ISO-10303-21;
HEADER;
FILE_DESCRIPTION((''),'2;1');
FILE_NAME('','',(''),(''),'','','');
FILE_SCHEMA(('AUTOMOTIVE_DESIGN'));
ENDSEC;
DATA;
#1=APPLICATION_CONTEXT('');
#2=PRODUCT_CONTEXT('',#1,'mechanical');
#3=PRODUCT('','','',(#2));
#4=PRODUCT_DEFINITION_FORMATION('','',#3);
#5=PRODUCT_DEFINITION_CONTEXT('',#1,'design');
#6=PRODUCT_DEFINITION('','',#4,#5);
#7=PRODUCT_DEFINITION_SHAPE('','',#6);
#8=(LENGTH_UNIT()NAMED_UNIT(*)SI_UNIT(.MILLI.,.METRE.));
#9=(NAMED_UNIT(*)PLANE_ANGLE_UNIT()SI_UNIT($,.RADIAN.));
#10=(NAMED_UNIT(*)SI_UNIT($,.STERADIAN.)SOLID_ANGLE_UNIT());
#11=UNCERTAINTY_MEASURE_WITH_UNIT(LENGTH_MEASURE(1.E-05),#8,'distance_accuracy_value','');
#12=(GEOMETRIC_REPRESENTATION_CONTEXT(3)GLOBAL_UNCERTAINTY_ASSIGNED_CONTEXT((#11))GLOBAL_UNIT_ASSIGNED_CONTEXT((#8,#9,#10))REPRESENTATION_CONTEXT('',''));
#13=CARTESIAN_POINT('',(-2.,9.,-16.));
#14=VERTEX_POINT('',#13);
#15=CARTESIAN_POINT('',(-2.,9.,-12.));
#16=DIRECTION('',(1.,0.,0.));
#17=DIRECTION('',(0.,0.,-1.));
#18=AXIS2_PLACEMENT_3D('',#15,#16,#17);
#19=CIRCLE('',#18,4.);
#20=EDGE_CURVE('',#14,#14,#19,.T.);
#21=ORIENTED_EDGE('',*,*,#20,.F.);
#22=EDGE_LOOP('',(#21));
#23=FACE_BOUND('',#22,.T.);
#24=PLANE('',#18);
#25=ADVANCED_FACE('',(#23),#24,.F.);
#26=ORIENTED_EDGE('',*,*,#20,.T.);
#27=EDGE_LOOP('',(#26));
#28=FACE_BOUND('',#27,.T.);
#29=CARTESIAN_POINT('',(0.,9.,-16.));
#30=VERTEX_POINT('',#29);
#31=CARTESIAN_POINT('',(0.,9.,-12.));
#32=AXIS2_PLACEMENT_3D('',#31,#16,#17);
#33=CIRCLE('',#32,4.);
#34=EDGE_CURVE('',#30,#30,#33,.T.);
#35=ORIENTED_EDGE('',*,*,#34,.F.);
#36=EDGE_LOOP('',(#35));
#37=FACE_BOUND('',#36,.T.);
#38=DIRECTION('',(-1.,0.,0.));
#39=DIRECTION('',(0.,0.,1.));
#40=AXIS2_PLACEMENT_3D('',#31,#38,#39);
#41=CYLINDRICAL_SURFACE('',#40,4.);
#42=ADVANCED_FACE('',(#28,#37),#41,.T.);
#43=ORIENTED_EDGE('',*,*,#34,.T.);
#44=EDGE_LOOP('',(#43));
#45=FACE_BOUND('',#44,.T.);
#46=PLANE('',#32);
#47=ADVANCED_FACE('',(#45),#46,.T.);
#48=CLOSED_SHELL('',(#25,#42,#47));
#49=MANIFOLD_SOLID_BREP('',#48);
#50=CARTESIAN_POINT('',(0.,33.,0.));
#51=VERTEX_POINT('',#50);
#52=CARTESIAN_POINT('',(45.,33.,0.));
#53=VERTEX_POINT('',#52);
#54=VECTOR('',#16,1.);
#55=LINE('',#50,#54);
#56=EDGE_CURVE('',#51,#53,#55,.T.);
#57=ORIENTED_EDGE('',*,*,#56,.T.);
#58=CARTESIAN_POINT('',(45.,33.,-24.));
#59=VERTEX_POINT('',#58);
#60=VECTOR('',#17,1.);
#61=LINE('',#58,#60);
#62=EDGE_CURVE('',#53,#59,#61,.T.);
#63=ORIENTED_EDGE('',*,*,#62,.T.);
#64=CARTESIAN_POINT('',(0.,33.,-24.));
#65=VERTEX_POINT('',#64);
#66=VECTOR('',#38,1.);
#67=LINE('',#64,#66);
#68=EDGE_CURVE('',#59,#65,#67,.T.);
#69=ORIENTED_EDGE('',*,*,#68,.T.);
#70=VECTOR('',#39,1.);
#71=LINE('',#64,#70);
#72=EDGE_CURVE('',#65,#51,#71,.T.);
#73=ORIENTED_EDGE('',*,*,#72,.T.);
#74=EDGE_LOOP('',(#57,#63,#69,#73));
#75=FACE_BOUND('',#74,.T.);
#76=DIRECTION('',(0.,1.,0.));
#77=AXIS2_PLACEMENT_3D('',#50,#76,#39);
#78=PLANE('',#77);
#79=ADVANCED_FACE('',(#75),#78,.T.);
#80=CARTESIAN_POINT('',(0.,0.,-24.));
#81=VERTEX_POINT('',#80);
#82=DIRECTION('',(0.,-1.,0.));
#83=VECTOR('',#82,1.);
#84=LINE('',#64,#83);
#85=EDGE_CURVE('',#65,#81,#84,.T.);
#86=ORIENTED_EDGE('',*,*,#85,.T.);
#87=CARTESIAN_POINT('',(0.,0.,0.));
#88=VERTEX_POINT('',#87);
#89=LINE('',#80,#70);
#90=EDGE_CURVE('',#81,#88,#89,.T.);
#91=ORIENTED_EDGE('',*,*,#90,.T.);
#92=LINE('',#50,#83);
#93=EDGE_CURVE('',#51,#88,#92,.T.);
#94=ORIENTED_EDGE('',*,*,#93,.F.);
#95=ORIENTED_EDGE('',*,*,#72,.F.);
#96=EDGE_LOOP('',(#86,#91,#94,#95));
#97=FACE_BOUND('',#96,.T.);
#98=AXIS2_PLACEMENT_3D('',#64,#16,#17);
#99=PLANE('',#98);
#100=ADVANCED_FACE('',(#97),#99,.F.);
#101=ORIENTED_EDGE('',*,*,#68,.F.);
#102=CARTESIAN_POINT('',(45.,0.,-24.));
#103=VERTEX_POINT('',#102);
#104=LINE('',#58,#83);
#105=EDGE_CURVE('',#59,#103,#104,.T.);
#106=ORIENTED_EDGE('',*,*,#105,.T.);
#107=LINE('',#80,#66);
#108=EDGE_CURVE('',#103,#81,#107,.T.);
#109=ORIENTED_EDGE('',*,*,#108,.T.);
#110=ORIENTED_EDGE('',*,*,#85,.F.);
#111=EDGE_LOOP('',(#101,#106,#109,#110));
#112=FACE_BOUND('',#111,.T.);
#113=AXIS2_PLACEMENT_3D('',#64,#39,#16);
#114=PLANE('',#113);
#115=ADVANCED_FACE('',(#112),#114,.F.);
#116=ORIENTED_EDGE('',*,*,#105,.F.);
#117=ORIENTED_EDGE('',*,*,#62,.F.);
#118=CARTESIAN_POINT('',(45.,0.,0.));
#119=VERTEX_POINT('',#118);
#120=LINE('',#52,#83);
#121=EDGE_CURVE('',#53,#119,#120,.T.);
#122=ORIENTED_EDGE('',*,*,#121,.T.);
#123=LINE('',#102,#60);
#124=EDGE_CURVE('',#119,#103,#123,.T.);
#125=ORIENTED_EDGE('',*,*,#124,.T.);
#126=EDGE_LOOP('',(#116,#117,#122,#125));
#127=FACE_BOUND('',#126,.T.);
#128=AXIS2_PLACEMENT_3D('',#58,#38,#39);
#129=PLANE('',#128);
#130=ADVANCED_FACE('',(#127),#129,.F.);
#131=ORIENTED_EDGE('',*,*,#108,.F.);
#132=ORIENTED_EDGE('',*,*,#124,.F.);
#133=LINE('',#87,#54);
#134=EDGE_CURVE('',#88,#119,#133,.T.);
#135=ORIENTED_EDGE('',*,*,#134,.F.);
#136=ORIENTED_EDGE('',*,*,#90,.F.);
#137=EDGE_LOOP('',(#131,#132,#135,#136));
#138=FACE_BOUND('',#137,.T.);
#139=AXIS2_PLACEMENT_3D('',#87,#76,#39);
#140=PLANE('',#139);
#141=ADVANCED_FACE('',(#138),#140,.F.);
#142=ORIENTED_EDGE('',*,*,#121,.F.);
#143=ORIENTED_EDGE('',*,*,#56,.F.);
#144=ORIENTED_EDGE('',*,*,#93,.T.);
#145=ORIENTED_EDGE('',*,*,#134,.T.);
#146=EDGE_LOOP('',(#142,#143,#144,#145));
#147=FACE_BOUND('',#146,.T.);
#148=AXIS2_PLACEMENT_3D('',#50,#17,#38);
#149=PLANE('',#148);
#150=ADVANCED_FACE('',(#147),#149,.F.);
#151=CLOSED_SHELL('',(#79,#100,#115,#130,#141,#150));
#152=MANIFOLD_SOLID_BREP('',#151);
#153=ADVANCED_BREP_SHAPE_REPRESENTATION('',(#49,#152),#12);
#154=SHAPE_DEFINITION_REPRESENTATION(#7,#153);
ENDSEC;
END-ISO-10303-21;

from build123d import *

# Parameters (mm, degrees)
SK_PUMP_BODY_W  = 45
SK_PUMP_BODY_H  = 24
PUMP_BODY_DEPTH = 33
INLET_START     = -2
SK_INLET_R      = 4
INLET_DEPTH     = 2


with BuildPart() as part:
    # SK Pump body → Pump body (new body)
    with BuildSketch(Plane(origin=(0, 0, 0), x_dir=(1, 0, 0), z_dir=(0, 1, 0))):
        with Locations((22.5, 12)):
            Rectangle(SK_PUMP_BODY_W, SK_PUMP_BODY_H)
    extrude(amount=PUMP_BODY_DEPTH)


with BuildPart() as body_2:
    # SK Inlet → Inlet (new body)
    with BuildSketch(Plane(origin=(0, 0, 0), x_dir=(0, 0, -1), z_dir=(1, 0, 0)).offset(INLET_START)):
        with Locations((12, 9)):
            Circle(SK_INLET_R)
    extrude(amount=INLET_DEPTH)


solid = Compound([part.part, body_2.part])
